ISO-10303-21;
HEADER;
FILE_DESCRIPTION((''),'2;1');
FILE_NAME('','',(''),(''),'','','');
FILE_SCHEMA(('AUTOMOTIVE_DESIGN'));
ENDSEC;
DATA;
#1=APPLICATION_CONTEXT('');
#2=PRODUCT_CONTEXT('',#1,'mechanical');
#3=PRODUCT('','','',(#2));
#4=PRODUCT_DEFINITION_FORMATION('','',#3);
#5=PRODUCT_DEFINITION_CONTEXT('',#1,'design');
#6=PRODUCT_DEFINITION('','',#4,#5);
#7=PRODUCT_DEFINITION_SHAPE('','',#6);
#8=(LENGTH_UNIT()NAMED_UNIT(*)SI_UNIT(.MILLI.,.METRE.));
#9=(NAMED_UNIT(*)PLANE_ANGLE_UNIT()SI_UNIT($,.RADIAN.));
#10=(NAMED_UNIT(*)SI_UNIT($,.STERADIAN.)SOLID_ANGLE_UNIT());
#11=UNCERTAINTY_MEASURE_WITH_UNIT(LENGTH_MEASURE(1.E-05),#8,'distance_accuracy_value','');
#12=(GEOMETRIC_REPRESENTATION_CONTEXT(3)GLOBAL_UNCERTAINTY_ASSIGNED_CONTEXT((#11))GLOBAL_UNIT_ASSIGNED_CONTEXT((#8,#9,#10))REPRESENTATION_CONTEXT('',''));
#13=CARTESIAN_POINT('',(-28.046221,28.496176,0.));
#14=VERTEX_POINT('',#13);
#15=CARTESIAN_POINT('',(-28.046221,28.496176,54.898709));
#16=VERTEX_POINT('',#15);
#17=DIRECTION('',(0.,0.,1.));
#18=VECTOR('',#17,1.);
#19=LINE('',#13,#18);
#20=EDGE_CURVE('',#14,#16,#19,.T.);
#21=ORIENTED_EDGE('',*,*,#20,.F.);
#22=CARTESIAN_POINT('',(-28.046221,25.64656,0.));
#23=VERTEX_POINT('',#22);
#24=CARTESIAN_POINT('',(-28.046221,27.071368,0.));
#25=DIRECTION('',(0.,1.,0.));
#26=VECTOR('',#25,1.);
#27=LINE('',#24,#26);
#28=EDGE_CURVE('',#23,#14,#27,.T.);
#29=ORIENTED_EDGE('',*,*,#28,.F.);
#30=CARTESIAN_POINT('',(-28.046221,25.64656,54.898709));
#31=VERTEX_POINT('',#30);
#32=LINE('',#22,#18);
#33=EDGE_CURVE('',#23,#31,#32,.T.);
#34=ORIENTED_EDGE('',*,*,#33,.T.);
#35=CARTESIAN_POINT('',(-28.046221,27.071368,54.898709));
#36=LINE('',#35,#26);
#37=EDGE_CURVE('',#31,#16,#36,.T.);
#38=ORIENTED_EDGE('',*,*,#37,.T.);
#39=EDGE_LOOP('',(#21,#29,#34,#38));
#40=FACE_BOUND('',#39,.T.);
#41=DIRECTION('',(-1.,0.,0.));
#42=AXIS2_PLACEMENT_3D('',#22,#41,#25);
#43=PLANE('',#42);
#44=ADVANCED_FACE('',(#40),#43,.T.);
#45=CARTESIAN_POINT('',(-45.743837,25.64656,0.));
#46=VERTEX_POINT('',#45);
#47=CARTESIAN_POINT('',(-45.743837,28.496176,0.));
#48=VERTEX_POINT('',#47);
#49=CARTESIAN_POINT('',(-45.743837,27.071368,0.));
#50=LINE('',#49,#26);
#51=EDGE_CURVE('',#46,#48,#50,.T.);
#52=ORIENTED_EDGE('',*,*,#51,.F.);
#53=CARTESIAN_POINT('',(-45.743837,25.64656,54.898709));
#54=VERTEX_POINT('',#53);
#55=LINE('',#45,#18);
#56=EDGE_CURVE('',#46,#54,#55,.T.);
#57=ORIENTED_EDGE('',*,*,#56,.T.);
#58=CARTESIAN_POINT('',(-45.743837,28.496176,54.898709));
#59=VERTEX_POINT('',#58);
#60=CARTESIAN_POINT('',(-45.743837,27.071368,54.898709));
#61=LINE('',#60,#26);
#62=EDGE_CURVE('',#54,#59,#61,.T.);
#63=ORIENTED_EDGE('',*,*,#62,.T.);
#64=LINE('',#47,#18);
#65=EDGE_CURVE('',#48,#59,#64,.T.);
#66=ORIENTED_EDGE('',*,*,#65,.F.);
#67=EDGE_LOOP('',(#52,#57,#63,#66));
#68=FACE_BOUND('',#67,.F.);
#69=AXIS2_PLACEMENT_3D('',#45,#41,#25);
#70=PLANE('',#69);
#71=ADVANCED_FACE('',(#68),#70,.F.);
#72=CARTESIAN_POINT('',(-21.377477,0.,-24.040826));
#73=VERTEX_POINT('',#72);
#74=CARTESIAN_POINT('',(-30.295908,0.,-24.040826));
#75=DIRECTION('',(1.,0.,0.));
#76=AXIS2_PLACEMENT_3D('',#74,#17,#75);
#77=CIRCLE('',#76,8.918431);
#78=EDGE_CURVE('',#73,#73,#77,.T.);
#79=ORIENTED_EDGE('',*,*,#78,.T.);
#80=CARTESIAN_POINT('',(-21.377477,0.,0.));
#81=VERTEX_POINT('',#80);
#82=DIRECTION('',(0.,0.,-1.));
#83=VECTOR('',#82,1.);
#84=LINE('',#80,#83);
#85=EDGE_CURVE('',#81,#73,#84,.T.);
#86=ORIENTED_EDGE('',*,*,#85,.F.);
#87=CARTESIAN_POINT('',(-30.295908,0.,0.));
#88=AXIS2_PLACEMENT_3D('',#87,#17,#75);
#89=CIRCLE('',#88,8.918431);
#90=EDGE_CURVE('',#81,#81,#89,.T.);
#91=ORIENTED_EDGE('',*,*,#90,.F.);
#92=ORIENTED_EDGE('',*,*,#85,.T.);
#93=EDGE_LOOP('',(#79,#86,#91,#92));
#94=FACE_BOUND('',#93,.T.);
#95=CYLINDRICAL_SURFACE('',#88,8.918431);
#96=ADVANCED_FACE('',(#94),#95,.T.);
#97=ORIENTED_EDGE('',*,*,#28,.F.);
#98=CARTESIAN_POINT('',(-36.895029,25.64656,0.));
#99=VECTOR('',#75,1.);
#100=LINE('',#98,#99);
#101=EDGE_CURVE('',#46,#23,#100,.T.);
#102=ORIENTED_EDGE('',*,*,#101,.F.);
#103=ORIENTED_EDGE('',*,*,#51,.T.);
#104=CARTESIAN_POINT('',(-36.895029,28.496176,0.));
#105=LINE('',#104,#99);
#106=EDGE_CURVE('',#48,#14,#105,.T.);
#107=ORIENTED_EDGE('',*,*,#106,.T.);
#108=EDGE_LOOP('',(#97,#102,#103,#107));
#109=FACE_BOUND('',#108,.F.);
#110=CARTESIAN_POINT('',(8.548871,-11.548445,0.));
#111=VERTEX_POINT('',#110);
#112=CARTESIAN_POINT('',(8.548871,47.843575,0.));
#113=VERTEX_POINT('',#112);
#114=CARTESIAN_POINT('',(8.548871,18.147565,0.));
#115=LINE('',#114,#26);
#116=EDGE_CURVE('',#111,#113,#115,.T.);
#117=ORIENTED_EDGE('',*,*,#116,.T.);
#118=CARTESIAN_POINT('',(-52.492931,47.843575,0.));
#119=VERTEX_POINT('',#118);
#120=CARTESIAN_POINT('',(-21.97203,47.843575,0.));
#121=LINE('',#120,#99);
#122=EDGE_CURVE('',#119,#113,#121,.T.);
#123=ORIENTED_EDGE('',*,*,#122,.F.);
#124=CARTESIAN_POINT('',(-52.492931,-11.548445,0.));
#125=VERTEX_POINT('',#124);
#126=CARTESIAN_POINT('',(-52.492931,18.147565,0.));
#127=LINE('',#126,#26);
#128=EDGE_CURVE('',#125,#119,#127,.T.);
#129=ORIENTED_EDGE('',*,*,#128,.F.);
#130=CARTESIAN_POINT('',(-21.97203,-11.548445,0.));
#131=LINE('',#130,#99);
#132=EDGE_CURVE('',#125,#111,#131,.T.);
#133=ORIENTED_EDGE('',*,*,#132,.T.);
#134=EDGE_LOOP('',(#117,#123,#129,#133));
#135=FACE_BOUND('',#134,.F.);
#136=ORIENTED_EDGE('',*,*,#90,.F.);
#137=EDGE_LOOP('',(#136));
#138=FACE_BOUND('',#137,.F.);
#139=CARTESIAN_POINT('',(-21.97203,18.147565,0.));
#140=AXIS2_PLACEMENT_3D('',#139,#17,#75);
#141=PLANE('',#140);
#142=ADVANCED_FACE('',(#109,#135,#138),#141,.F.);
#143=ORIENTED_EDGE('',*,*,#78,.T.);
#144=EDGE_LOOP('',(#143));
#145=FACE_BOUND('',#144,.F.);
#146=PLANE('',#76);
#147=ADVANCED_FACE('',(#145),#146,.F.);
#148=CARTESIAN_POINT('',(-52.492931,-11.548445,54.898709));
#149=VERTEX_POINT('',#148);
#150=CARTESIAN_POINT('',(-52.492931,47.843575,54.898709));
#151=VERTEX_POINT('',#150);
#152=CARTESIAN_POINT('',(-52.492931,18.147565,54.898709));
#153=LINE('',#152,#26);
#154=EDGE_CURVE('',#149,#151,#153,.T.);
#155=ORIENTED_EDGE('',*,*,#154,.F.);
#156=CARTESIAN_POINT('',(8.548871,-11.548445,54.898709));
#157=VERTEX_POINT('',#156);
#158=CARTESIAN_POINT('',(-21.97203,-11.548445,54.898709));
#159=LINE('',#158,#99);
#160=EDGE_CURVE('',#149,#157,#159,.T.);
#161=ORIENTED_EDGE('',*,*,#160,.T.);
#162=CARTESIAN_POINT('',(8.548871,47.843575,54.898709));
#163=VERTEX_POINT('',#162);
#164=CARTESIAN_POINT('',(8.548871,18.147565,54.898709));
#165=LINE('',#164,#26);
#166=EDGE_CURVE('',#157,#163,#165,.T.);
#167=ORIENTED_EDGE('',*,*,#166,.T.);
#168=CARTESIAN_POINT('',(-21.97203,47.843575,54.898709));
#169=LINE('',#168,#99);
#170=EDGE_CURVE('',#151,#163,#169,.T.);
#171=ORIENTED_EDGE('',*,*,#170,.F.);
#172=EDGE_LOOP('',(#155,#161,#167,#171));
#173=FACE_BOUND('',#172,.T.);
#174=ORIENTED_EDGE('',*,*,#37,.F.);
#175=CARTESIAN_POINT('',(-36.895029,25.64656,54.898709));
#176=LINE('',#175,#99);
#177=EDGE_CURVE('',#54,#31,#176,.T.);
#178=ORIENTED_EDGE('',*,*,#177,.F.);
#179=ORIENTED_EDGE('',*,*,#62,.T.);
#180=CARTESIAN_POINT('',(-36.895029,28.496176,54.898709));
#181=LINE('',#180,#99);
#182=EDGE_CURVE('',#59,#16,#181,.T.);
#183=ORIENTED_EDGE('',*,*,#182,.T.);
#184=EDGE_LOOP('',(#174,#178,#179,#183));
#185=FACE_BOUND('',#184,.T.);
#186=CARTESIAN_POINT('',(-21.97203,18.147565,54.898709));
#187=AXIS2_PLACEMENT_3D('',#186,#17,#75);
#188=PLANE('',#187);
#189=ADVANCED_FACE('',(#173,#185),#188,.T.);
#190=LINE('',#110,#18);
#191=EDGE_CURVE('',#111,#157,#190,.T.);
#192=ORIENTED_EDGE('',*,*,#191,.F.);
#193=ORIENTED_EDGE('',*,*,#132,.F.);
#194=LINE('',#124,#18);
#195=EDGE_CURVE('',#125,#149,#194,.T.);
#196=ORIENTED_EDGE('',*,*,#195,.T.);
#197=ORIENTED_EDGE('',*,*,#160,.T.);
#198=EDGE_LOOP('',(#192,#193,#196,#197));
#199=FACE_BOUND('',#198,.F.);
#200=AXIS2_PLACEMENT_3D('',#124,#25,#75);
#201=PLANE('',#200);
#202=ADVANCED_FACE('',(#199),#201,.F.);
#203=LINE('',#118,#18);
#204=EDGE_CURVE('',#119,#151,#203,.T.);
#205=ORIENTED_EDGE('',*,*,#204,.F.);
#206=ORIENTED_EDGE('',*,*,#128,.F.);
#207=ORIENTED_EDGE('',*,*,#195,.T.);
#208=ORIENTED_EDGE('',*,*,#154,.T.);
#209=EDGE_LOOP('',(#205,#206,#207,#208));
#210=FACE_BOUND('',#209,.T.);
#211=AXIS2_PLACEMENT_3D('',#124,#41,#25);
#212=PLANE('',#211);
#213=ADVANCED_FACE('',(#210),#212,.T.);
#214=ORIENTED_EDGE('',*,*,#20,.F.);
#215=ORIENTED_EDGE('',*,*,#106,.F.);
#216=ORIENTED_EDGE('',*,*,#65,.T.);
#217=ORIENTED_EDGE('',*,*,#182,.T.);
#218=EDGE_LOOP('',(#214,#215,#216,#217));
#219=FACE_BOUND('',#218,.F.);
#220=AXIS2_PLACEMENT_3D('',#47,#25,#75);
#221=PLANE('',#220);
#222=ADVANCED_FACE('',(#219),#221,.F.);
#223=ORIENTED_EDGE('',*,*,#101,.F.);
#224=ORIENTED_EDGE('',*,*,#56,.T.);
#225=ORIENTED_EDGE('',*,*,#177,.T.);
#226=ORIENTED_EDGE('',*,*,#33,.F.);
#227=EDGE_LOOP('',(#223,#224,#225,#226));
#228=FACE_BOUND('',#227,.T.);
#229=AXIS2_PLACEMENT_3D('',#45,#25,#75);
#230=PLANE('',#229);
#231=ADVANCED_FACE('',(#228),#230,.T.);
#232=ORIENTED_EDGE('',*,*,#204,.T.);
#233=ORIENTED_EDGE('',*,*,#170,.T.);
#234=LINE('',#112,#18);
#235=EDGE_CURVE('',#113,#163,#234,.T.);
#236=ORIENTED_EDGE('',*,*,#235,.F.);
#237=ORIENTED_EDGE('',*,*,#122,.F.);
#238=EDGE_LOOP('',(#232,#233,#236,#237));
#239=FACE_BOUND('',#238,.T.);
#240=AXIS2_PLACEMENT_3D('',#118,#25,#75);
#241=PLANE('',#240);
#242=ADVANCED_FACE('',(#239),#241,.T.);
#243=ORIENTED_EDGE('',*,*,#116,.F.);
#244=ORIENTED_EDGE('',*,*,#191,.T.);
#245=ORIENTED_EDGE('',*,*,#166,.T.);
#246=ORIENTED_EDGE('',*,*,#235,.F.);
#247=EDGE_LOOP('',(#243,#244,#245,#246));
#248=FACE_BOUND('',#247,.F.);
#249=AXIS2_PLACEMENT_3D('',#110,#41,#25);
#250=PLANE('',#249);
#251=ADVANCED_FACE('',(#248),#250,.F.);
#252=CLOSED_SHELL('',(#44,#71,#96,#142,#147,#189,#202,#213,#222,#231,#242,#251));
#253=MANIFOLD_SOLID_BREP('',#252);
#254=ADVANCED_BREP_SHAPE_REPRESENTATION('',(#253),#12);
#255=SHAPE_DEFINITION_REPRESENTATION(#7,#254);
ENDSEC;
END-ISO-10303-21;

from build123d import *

# Parameters (mm, degrees)
F0_W     = 61.041802
F0_H     = 59.39202
F0_W_2   = 17.697617
F0_H_2   = 2.849616
F1_DEPTH = 54.898709
F2_R     = 8.918431
F3_DEPTH = 24.040826


with BuildPart() as f1:
    # F0 (on Top) → F1 (new body)
    with BuildSketch(Plane.XY):
        with Locations((-21.97203, 18.147565)):
            Rectangle(F0_W, F0_H)
        with Locations((-36.895029, 27.071368)):
            Rectangle(F0_W_2, F0_H_2, mode=Mode.SUBTRACT)
    extrude(amount=F1_DEPTH)

    # F2 (on Top) → F3 (join)
    with BuildSketch(Plane.XY):
        with Locations((-30.295908, 0)):
            Circle(F2_R)
    extrude(amount=-F3_DEPTH)


solid = f1.part
